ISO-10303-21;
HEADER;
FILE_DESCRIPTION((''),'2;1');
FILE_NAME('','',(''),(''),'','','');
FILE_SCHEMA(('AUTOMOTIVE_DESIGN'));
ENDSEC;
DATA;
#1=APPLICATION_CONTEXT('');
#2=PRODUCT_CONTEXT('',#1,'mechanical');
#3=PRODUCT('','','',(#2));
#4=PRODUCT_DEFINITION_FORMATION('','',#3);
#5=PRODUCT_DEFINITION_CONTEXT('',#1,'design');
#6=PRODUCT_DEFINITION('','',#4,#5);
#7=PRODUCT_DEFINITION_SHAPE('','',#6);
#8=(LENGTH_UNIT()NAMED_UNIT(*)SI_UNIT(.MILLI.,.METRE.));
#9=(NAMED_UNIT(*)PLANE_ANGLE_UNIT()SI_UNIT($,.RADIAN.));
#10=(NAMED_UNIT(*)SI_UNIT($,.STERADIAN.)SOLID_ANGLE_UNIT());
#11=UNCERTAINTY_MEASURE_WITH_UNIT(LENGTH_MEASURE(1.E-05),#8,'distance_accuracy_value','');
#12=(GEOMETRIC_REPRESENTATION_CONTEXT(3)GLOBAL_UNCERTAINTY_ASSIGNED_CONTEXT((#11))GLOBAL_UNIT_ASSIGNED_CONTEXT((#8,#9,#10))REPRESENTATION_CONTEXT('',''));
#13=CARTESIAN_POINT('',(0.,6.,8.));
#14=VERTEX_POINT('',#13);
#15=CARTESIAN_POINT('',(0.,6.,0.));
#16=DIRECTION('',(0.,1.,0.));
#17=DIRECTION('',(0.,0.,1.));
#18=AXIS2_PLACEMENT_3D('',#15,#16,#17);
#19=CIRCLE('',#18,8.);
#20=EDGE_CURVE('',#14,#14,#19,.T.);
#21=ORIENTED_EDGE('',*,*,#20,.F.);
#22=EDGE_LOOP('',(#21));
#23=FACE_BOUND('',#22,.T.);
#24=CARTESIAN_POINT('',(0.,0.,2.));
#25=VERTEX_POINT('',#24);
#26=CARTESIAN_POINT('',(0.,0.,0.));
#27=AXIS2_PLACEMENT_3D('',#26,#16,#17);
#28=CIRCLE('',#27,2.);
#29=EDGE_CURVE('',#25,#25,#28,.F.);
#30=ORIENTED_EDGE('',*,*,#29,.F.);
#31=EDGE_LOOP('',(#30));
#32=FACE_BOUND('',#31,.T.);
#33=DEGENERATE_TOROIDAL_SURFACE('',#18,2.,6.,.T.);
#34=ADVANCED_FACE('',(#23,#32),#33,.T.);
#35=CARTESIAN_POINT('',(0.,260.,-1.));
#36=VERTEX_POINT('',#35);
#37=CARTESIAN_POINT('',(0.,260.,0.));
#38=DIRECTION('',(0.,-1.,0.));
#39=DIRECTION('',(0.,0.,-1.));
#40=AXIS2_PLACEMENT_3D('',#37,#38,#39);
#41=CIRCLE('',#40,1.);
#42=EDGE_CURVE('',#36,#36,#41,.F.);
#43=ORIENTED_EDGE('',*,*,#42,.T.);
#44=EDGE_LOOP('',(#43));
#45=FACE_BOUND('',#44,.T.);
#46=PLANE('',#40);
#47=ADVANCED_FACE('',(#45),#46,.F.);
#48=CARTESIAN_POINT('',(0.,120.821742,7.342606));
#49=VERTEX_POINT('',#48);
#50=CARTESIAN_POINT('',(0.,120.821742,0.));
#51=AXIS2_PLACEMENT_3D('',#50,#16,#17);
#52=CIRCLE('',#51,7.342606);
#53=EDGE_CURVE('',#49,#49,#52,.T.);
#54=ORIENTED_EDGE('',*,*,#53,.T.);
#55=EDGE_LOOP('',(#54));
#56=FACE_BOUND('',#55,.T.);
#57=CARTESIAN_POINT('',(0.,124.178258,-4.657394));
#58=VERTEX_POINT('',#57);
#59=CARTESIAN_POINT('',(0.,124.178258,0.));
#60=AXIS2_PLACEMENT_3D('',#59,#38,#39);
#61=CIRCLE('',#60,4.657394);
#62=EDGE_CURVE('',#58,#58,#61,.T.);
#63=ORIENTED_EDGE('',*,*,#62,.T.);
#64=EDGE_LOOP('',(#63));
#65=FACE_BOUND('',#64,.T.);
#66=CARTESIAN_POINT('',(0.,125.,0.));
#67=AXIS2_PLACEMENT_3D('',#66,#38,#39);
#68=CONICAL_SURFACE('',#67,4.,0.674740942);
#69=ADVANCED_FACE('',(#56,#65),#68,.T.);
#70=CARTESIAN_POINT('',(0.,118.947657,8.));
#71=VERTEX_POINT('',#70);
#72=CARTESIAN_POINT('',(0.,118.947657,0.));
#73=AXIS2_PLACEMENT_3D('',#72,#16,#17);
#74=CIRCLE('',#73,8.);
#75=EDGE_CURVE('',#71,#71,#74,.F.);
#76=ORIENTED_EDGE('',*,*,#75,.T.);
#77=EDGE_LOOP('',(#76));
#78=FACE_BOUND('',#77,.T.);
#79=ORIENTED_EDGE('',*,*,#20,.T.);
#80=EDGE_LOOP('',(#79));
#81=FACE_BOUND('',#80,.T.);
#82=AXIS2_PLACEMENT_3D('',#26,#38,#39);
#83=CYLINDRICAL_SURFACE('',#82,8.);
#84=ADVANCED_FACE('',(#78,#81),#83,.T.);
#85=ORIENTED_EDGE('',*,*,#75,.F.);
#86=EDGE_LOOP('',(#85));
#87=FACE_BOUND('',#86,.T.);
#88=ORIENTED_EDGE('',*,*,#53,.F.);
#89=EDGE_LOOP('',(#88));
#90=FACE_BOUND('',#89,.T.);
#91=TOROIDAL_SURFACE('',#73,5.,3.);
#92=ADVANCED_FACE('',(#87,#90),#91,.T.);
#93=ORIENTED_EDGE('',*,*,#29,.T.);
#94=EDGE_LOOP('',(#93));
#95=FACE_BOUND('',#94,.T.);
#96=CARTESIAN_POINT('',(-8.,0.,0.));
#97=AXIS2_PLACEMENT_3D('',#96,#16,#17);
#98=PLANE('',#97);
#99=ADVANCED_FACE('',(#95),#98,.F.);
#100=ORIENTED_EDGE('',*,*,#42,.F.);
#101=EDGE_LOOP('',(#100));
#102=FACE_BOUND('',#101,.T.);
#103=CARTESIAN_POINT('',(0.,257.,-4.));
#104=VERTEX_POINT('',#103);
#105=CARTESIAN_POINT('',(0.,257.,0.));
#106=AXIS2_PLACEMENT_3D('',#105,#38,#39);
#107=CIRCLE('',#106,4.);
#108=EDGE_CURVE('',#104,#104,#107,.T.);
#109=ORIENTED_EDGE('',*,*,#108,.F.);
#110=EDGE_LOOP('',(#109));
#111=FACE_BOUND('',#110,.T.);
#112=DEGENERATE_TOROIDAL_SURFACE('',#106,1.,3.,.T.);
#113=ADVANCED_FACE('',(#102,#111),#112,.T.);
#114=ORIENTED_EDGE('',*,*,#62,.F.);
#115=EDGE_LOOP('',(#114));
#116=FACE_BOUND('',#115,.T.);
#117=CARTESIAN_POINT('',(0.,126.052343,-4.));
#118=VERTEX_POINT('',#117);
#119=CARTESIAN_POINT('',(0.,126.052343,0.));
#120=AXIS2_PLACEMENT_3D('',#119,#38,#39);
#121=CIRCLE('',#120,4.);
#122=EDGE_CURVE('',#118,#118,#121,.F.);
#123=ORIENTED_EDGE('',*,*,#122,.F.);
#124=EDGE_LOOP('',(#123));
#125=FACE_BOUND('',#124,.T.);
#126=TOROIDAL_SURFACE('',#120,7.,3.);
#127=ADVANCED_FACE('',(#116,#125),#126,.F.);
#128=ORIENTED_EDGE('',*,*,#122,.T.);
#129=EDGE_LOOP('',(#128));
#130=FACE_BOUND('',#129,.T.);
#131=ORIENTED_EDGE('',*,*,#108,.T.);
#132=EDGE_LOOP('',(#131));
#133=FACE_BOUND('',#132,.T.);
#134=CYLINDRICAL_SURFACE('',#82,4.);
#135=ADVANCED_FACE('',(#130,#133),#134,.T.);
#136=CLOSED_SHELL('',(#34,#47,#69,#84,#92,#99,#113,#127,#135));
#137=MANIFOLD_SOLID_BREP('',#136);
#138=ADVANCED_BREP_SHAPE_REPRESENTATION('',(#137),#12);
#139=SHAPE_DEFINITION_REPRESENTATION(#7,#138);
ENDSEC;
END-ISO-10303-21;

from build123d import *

# Parameters (mm, degrees)
FILLET1_R = 3
FILLET2_R = 3
FILLET3_R = 3
FILLET4_R = 6


with BuildPart() as part:
    # Sketch1 → Revolve1 (revolve)
    with BuildSketch(Plane.XY, mode=Mode.PRIVATE) as revolve1_sk:
        Polygon((0, 0), (0, 260), (-4, 260), (-4, 125), (-8, 120), (-8, 0), align=None)
    revolve(revolve1_sk.sketch.rotate(Axis((0, 0, 0), (0, 1, 0)), 270), axis=Axis((0, 0, 0), (0, 1, 0)))

    # Fillet1
    fillet1_edges = [part.edges().sort_by_distance(p)[0] for p in [
        (0, 260, 4),
    ]]
    fillet(fillet1_edges, radius=FILLET1_R)

    # Fillet2
    fillet2_edges = [part.edges().sort_by_distance(p)[0] for p in [
        (0, 120, 8),
    ]]
    fillet(fillet2_edges, radius=FILLET2_R)

    # Fillet3
    fillet3_edges = [part.edges().sort_by_distance(p)[0] for p in [
        (0, 125, 4),
    ]]
    fillet(fillet3_edges, radius=FILLET3_R)

    # Fillet4
    fillet4_edges = [part.edges().sort_by_distance(p)[0] for p in [
        (0, 0, 8),
    ]]
    fillet(fillet4_edges, radius=FILLET4_R)


solid = part.part
